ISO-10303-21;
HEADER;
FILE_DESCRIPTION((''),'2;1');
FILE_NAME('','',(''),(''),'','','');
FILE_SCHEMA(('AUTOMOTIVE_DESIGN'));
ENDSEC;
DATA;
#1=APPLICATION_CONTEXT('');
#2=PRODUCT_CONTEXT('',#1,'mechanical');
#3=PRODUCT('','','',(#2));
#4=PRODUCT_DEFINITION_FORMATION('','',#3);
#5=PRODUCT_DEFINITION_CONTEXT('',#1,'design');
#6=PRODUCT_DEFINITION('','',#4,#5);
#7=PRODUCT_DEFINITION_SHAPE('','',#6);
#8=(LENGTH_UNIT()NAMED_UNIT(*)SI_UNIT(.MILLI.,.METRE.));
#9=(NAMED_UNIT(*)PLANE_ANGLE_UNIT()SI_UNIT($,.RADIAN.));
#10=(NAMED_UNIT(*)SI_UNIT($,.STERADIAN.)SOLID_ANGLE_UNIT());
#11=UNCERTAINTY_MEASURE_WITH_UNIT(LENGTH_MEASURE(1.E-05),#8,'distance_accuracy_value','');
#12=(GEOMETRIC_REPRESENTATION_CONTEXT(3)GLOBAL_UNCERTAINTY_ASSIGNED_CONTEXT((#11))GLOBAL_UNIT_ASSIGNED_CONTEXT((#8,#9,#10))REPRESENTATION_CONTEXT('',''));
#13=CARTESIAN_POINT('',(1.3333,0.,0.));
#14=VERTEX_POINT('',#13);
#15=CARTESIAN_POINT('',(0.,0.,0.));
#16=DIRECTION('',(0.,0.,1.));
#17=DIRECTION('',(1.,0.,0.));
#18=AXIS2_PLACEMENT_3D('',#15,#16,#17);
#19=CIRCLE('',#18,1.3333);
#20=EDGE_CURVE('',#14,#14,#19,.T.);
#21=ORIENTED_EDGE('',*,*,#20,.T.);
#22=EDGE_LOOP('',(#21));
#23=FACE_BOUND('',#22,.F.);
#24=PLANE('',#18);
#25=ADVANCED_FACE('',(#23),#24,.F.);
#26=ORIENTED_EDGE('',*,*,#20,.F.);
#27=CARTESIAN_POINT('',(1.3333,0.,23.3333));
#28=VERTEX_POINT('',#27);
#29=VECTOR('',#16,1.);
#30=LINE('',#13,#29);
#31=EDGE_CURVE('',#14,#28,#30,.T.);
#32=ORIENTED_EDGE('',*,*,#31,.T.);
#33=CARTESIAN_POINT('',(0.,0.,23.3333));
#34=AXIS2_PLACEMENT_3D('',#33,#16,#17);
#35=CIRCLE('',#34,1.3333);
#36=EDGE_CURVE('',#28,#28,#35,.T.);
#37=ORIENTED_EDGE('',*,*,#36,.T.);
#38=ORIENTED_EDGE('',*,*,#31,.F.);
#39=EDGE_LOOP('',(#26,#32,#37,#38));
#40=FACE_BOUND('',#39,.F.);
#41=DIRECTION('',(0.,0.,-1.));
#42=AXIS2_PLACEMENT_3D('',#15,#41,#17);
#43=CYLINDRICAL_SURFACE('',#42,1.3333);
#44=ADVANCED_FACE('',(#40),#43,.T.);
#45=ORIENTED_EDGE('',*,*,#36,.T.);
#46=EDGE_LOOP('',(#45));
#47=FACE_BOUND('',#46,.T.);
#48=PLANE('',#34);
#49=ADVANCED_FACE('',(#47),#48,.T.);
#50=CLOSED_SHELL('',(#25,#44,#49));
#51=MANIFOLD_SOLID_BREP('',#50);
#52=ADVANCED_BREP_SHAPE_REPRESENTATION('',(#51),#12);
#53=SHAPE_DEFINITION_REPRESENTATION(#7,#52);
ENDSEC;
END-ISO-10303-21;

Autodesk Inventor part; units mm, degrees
ref_plane "YZ Plane" through (0, 0, 0) normal (1, 0, 0) x (0, 1, 0)
ref_plane "XZ Plane" through (0, 0, 0) normal (0, 1, 0) x (-1, 0, 0)
ref_plane "XY Plane" through (0, 0, 0) normal (0, 0, 1) x (1, 0, 0)
sketch "Sketch1" plane through (0, 0, 0) normal (0, 0, 1) x (1, 0, 0)
  circle A0 centre (0, 0) radius 1.3333
  dimension "d1" = 2.6667
extrude "Extrusion1" add sketch "Sketch1" along normal blind 23.3333
sketch "Sketch2" plane through (0, 0, 0) normal (0, 1, 0) x (-1, 0, 0)
  point P0 (0, 0)
equation "\"d1\" = 0.666667 * HD"
equation "\"d2\" = 0.56 * HL"
equation "\"HD\" = 4"
equation "\"HL\" = 41.66667"
properties part number "Stav"
